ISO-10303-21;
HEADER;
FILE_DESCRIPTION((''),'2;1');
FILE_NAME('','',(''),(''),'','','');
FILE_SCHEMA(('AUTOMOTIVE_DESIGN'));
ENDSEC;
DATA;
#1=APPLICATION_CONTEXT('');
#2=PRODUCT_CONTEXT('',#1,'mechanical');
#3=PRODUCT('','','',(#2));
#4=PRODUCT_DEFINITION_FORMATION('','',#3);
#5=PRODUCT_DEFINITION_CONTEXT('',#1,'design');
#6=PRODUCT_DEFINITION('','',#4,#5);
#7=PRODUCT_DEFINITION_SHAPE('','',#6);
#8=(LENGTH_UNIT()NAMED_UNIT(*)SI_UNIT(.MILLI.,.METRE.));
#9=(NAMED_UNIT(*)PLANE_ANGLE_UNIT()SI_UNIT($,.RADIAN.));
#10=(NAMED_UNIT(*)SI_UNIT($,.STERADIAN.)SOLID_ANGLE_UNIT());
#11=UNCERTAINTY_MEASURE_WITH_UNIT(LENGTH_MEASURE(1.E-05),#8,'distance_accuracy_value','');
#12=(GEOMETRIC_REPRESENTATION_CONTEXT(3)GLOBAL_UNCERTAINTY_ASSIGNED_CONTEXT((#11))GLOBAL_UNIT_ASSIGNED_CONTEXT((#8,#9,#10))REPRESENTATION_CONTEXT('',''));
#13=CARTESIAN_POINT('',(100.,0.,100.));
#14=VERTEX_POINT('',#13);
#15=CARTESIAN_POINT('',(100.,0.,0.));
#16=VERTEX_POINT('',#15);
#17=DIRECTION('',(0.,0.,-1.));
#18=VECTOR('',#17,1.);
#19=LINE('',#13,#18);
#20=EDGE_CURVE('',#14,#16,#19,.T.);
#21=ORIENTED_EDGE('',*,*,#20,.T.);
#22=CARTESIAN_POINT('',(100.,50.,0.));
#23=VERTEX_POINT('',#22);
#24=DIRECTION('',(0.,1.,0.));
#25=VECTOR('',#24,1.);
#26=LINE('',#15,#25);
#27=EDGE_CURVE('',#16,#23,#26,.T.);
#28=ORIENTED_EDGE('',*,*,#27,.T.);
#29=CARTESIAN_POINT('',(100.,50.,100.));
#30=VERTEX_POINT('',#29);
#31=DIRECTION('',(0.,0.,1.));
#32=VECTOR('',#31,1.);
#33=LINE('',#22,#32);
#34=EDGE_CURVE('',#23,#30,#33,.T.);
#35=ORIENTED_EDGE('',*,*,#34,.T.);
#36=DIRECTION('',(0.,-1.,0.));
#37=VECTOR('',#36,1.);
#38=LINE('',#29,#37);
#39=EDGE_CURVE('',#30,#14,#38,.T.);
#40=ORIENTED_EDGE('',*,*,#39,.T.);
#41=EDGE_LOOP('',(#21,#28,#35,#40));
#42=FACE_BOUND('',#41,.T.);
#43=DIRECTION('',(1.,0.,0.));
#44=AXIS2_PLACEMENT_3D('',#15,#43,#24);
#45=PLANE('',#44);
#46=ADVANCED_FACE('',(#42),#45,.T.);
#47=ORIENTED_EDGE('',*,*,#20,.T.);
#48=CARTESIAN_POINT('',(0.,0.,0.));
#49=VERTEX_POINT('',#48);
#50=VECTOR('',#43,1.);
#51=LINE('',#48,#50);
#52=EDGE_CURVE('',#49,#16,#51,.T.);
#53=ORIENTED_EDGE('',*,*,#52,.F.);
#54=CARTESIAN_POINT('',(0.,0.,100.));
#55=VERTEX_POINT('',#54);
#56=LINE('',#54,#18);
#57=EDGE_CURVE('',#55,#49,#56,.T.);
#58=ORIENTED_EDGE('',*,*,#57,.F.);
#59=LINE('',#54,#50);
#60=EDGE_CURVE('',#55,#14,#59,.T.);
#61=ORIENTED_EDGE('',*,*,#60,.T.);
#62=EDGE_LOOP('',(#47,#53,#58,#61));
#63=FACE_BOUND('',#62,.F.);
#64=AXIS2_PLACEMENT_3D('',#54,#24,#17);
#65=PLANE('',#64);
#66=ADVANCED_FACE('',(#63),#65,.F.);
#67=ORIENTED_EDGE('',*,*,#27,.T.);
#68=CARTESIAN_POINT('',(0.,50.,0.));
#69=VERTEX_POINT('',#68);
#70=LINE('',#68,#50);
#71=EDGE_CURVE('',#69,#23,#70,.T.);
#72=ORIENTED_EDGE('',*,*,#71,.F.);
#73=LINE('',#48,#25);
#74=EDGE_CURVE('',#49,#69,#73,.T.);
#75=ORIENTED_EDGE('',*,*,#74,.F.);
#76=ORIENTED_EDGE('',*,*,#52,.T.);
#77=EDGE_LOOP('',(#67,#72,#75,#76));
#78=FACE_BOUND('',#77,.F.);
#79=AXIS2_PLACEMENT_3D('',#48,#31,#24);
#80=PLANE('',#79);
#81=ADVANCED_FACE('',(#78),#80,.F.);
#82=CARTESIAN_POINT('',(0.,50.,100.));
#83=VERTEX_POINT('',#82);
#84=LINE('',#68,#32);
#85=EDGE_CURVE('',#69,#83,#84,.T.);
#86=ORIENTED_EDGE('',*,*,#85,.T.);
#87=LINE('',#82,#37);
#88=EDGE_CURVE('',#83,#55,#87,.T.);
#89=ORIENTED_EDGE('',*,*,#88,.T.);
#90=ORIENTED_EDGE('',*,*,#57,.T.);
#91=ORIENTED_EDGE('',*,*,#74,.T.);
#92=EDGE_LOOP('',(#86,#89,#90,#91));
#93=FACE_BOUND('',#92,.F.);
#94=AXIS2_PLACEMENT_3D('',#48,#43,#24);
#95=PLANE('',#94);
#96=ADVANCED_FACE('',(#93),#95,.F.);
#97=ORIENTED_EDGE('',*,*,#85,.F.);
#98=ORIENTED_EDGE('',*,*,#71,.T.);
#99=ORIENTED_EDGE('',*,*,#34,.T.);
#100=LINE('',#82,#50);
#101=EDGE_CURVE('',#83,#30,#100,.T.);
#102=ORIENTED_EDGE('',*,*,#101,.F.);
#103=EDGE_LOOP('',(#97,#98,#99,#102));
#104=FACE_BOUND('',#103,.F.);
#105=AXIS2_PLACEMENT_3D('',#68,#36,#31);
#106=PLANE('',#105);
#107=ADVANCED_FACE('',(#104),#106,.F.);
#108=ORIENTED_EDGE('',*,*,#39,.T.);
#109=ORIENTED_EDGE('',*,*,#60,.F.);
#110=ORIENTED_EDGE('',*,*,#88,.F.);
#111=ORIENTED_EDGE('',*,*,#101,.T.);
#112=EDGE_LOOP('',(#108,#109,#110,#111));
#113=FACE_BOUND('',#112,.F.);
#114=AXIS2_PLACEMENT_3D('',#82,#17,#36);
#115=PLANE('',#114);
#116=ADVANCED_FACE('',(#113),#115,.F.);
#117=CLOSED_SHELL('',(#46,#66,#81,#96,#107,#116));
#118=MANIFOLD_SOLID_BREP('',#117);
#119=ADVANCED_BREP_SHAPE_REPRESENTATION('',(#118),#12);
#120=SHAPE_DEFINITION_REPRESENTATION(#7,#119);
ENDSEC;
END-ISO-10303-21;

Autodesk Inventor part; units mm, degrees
ref_plane "YZ Plane" through (0, 0, 0) normal (1, 0, 0) x (0, 1, 0)
ref_plane "XZ Plane" through (0, 0, 0) normal (0, 1, 0) x (-1, 0, 0)
ref_plane "XY Plane" through (0, 0, 0) normal (0, 0, 1) x (1, 0, 0)
sketch "スケッチ1" plane through (0, 0, 0) normal (1, 0, 0) x (0, 1, 0)
  line L0 (0, 0) -> (50, 0)
  line L1 (50, 0) -> (50, 100)
  line L2 (50, 100) -> (0, 100)
  line L3 (0, 100) -> (0, 0)
  dimension "d0" = 50
  dimension "d1" = 100
extrude "押し出し1" add sketch "スケッチ1" along normal blind 100
properties part number "abionics"
